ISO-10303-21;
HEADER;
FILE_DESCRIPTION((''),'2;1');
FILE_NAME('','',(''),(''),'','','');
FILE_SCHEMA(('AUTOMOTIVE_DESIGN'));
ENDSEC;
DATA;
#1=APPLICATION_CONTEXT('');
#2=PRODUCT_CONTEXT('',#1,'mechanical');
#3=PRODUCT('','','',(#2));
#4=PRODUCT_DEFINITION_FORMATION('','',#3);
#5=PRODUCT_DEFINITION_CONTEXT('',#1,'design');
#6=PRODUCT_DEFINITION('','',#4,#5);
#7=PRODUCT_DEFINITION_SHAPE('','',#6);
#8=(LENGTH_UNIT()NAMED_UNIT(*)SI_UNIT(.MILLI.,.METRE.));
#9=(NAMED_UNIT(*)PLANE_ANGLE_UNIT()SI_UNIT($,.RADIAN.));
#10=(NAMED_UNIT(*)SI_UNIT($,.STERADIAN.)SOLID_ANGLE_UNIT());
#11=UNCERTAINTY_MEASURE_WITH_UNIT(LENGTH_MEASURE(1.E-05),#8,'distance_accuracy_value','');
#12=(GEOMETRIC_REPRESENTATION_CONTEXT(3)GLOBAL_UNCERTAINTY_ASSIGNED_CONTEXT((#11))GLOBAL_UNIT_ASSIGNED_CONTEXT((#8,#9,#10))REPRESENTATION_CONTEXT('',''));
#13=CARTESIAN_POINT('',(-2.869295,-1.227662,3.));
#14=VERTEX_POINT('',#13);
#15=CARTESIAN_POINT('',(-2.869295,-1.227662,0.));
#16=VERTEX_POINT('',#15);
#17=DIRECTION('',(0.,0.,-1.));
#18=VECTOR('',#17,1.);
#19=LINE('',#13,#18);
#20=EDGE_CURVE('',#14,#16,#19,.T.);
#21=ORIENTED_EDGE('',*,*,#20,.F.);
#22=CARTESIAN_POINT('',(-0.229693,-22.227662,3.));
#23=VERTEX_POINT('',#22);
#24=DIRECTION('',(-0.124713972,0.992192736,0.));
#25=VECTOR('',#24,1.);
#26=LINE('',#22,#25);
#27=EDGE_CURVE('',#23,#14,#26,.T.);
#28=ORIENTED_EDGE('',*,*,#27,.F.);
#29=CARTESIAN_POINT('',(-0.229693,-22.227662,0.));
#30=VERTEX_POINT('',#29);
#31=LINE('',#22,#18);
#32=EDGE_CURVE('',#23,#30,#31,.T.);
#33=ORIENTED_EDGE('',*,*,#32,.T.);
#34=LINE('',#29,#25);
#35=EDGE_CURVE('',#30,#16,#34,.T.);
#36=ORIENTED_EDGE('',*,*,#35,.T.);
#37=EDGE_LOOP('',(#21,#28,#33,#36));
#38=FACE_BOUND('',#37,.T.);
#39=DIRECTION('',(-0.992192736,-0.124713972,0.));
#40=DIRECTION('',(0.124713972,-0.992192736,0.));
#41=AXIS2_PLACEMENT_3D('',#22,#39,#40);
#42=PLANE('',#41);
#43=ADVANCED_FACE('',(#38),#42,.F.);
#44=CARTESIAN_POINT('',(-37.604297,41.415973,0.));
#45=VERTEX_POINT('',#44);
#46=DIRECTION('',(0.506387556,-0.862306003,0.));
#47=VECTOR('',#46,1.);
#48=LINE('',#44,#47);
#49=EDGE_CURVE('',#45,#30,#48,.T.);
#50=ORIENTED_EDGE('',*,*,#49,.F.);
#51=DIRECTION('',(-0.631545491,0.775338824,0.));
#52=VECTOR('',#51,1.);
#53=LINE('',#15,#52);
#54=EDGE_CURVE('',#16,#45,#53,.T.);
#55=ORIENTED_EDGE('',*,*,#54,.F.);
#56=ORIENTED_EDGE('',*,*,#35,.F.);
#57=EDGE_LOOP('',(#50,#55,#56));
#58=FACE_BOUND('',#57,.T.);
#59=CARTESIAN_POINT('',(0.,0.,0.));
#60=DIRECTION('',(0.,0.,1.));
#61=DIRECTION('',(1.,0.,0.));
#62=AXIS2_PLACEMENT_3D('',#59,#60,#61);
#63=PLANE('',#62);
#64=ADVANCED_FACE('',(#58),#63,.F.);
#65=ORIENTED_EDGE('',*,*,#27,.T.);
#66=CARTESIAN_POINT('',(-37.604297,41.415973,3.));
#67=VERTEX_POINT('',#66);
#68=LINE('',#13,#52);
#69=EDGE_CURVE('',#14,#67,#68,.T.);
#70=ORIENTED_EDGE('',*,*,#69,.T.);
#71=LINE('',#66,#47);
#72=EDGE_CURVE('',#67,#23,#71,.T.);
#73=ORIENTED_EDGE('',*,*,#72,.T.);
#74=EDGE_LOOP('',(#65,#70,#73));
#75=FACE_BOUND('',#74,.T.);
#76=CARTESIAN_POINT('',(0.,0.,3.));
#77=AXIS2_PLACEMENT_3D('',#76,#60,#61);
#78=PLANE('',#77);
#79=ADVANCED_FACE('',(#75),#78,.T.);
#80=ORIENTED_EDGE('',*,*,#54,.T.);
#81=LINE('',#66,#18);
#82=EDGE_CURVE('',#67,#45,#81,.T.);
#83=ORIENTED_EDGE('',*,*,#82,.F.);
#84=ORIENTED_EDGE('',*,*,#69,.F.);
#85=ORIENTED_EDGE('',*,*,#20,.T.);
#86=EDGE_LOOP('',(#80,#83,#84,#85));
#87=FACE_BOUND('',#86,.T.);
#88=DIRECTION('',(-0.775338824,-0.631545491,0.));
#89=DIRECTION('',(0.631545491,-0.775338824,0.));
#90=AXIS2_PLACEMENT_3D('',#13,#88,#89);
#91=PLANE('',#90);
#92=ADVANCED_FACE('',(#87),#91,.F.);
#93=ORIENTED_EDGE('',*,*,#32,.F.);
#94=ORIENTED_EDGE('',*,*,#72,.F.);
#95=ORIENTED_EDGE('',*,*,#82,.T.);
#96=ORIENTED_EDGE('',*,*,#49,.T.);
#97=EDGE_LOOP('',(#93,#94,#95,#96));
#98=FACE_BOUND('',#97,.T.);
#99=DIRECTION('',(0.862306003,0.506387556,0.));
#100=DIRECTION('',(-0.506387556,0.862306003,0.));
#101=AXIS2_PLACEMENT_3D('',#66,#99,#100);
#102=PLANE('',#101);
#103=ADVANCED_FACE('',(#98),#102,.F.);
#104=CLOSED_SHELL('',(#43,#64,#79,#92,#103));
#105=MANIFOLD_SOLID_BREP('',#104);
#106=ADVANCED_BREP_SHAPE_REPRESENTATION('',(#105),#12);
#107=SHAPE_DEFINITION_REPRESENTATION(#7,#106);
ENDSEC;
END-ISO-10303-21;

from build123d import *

# Parameters (mm, degrees)
BOSS_EXTRU_1_DEPTH = 3


with BuildPart() as part:
    # Esquisse1 → Boss.-Extru.1 (new body)
    with BuildSketch(Plane.XY):
        Polygon((-2.86929474, -1.227661982), (-37.604296747, 41.415973364), (-0.229693264, -22.227661982), align=None)
    extrude(amount=BOSS_EXTRU_1_DEPTH)


solid = part.part
